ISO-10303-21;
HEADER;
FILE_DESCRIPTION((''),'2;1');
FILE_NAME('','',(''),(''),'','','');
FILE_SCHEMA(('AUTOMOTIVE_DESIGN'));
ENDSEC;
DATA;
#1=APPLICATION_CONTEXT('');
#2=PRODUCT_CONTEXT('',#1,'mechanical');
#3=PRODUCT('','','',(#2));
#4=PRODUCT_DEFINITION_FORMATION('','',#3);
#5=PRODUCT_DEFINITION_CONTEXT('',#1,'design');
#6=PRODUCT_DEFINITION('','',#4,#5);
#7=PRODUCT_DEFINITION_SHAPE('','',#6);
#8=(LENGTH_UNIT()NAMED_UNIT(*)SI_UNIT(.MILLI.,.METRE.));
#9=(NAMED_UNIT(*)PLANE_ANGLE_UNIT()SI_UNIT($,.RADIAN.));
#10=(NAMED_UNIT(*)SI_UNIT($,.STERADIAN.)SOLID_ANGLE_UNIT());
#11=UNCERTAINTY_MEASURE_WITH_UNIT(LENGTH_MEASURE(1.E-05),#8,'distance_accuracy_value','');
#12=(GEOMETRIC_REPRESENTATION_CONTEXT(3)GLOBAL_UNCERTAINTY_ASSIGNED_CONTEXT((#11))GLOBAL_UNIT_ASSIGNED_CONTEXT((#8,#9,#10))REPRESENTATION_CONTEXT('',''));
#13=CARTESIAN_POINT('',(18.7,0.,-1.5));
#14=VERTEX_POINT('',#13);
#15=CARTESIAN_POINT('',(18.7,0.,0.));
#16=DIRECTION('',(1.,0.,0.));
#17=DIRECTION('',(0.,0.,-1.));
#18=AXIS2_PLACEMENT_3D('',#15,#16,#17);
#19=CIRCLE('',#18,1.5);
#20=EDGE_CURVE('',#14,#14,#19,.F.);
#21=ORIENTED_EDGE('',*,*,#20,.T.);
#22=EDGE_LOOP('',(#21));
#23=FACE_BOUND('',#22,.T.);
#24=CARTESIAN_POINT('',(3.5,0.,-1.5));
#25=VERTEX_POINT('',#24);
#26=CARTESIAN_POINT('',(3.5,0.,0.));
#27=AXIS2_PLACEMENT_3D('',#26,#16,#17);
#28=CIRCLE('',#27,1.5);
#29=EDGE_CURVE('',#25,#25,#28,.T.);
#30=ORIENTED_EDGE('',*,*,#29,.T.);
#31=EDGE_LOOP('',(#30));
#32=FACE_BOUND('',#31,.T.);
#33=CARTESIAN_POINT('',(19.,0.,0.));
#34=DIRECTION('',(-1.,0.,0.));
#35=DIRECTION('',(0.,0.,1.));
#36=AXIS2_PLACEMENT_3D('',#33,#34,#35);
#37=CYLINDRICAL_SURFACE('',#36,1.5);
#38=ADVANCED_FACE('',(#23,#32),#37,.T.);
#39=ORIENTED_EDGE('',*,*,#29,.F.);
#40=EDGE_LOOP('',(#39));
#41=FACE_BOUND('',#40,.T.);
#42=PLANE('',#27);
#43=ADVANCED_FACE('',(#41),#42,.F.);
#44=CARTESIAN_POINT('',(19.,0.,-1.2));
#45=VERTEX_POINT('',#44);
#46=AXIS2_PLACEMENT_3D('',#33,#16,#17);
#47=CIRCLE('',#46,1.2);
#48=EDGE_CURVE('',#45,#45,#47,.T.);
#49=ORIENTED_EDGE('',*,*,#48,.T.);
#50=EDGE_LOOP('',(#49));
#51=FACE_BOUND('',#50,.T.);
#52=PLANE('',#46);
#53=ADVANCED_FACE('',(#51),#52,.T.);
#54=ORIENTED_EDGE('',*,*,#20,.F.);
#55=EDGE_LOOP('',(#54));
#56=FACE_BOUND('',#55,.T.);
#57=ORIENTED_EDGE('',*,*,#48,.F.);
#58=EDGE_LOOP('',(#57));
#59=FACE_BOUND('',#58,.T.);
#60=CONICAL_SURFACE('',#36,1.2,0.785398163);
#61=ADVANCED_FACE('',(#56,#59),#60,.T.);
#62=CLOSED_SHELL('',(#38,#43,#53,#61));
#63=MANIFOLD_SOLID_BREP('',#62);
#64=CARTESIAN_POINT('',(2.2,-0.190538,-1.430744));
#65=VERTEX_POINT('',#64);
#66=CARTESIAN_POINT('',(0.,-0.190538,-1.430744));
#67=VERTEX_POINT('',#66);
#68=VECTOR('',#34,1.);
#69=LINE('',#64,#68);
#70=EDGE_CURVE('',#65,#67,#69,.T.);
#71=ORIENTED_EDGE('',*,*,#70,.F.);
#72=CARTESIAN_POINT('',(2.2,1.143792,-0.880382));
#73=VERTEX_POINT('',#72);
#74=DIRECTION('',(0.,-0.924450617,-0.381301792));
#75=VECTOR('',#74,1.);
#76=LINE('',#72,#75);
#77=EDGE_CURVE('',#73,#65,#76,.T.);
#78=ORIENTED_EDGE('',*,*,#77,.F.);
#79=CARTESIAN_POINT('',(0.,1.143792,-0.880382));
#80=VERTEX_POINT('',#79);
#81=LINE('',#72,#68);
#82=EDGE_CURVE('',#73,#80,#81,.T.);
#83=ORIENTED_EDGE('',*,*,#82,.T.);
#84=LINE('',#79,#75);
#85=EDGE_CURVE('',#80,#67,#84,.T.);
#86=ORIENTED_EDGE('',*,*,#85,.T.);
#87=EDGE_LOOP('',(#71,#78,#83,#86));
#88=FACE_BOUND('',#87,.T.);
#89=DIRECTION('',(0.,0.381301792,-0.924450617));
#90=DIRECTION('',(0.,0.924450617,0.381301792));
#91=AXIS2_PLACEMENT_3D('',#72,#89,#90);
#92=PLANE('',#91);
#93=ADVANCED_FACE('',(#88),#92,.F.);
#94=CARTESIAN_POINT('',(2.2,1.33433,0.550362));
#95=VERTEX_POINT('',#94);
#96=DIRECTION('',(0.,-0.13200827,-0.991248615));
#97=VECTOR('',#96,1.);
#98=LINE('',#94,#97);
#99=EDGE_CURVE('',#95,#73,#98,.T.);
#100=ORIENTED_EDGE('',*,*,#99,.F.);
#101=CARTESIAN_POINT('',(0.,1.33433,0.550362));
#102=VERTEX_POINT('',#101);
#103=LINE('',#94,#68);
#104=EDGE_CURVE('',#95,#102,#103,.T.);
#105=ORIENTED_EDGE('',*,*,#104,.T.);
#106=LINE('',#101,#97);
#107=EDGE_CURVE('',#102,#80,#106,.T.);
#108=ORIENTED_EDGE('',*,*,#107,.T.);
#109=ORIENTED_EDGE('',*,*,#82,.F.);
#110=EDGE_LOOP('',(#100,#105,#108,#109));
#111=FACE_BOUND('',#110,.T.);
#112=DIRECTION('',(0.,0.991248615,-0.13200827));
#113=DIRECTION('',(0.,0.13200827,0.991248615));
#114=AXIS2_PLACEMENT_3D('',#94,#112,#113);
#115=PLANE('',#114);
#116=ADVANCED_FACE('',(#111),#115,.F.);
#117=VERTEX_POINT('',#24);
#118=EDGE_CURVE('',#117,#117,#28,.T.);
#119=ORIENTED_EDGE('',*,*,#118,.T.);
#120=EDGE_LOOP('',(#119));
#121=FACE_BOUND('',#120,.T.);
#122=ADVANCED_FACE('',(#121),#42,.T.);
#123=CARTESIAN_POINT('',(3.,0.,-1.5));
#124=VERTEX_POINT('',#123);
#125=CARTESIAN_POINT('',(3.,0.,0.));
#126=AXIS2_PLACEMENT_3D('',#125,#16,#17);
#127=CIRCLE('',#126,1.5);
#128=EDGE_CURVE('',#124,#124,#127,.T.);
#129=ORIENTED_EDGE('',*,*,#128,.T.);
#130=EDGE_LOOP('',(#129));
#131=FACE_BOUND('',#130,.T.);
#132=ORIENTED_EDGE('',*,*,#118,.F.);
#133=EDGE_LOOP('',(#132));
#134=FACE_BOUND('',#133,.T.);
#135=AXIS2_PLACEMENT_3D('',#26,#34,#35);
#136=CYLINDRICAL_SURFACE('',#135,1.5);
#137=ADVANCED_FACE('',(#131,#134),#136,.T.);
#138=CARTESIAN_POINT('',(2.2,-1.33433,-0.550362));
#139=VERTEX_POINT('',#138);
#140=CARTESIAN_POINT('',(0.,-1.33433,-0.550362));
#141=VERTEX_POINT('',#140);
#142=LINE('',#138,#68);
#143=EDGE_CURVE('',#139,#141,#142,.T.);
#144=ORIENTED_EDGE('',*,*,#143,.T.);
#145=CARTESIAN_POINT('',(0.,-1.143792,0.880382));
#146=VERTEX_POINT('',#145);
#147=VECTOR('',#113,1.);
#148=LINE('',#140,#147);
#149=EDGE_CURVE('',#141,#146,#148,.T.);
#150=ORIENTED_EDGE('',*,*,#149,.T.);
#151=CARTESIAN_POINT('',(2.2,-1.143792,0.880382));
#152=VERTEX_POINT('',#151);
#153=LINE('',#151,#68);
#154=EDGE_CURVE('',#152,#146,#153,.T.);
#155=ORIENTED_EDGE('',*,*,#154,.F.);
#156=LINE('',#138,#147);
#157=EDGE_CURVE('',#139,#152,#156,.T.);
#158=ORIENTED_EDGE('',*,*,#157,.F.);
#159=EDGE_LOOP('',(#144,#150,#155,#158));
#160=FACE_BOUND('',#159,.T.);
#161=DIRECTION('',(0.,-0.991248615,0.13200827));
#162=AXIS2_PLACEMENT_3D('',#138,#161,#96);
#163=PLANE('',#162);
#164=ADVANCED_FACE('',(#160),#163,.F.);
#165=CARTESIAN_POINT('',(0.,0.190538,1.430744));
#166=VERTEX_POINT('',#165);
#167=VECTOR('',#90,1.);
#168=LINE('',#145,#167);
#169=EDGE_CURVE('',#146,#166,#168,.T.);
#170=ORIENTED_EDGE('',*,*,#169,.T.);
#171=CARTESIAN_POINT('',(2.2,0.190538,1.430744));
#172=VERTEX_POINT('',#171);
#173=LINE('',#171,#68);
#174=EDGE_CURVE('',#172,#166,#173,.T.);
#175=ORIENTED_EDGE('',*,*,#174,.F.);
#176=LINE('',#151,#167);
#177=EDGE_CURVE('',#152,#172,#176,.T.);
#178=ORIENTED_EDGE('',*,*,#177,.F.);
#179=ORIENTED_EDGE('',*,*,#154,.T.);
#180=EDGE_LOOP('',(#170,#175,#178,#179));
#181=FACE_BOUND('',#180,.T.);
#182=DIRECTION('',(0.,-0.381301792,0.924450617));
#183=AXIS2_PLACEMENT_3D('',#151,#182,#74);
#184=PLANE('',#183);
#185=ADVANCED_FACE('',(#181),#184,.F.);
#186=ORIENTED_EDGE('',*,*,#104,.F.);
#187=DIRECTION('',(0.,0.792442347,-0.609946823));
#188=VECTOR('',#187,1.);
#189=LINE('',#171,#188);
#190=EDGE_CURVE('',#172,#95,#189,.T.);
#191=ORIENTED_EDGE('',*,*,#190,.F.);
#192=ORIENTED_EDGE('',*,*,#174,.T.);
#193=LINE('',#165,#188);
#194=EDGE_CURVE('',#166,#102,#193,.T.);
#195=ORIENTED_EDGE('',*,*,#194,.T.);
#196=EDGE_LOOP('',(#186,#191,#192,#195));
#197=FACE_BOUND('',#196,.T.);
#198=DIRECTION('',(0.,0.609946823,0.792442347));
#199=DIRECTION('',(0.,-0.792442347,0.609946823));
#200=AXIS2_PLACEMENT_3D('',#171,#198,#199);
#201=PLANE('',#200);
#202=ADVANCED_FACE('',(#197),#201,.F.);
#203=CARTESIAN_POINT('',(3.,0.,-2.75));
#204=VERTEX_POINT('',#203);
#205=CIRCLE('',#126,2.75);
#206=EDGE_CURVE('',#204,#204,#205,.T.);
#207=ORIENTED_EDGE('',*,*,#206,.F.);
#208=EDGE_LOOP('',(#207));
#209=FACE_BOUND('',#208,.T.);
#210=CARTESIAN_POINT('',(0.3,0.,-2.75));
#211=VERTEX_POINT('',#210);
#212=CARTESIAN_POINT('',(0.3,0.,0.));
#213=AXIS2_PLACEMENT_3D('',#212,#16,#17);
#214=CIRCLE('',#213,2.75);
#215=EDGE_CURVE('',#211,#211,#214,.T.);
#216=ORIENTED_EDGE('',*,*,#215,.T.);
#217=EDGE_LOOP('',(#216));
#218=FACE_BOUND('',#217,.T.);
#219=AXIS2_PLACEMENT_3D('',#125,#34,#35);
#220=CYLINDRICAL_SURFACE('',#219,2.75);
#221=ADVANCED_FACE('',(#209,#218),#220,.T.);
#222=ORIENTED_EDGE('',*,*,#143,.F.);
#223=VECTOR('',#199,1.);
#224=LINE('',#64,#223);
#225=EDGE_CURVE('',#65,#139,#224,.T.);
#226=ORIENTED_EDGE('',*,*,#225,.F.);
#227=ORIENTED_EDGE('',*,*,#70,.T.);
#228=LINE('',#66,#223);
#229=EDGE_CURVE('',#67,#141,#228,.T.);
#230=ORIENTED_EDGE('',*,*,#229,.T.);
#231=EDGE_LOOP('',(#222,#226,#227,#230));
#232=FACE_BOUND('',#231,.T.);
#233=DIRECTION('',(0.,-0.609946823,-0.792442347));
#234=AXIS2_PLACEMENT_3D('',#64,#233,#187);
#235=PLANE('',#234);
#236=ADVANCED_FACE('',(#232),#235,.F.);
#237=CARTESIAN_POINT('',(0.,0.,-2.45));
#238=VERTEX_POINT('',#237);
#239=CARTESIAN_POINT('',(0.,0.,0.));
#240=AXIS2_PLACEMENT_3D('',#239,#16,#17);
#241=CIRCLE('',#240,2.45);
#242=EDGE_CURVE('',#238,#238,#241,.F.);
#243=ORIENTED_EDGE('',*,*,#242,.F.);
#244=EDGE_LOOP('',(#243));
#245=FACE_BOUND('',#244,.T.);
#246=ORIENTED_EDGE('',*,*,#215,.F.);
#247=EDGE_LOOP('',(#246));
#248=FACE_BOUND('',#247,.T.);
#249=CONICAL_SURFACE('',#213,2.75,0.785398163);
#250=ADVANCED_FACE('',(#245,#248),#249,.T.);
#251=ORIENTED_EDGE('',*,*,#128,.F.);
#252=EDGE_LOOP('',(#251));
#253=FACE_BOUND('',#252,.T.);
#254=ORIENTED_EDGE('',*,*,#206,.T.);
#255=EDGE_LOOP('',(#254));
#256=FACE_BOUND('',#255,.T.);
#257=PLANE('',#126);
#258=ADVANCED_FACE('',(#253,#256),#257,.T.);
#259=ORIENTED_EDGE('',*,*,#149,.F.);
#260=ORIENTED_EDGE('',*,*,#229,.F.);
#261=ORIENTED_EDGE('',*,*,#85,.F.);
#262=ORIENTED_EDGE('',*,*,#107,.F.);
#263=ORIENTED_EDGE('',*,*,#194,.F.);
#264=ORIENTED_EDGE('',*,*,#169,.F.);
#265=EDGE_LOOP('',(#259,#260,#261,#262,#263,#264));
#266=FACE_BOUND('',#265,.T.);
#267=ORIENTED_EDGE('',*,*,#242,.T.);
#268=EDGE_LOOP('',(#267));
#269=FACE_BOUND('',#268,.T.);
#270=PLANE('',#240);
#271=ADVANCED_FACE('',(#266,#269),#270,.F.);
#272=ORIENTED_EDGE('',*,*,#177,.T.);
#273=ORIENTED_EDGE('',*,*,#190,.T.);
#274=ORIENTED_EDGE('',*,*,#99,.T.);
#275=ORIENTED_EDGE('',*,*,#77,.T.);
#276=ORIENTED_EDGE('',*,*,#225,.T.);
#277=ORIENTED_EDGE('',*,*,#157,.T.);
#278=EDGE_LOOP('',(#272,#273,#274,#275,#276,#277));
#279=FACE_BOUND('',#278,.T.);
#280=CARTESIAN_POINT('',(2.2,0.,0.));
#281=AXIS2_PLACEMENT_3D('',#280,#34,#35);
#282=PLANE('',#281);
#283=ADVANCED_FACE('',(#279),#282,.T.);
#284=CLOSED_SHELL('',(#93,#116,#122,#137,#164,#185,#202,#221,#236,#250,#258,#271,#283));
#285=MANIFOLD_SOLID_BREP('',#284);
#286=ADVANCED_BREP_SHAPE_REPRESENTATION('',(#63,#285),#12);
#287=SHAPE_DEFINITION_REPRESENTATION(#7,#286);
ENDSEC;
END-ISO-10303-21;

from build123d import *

# Parameters (mm, degrees)
SKETCH_1_R          = 2.75
EXTRUDE_1_DEPTH     = 3
SKETCH_2_R          = 1.5
EXTRUDE_2_DEPTH     = 0.5
CHAMFER_2_SIZE      = 0.3
CUT_EXTRUDE_1_DEPTH = 2.2
SKETCH_11_R         = 1.5
EXTRUDE_6_DEPTH     = 15.5
CHAMFER_3_SIZE      = 0.3


with BuildPart() as part:
    # 草图1 → 凸台-拉伸1 (new body)
    with BuildSketch(Plane(origin=(0, 0, 0), x_dir=(0, 0, -1), z_dir=(1, 0, 0))):
        Circle(SKETCH_1_R)
    extrude(amount=EXTRUDE_1_DEPTH)

    # 草图2 → 凸台-拉伸2 (add)
    with BuildSketch(Plane(origin=(3, 0, 0), x_dir=(0, 0, -1), z_dir=(1, 0, 0))):
        Circle(SKETCH_2_R)
    extrude(amount=EXTRUDE_2_DEPTH)

    # 倒角2
    chamfer_2_edges = [part.edges().sort_by_distance(p)[0] for p in [
        (0, 0, 2.75),
    ]]
    chamfer(chamfer_2_edges, length=CHAMFER_2_SIZE)

    # 草图5 → 切除-拉伸1 (cut)
    with BuildSketch(Plane.ZY):
        Polygon((1.430744137, 0.190537526), (0.550361731, 1.334329531), (-0.880382406, 1.143792006), (-1.430744137, -0.190537526), (-0.550361731, -1.334329531), (0.880382406, -1.143792006), align=None)
    extrude(amount=-CUT_EXTRUDE_1_DEPTH, mode=Mode.SUBTRACT)


with BuildPart() as body_2:
    # 草图11 → 凸台-拉伸6 (new body)
    with BuildSketch(Plane(origin=(3.5, 0, 0), x_dir=(0, 0, -1), z_dir=(1, 0, 0))):
        Circle(SKETCH_11_R)
    extrude(amount=EXTRUDE_6_DEPTH)

    # 倒角3
    chamfer_3_edges = [body_2.edges().sort_by_distance(p)[0] for p in [
        (19, 0, 1.5),
    ]]
    chamfer(chamfer_3_edges, length=CHAMFER_3_SIZE)


solid = Compound([part.part, body_2.part])
